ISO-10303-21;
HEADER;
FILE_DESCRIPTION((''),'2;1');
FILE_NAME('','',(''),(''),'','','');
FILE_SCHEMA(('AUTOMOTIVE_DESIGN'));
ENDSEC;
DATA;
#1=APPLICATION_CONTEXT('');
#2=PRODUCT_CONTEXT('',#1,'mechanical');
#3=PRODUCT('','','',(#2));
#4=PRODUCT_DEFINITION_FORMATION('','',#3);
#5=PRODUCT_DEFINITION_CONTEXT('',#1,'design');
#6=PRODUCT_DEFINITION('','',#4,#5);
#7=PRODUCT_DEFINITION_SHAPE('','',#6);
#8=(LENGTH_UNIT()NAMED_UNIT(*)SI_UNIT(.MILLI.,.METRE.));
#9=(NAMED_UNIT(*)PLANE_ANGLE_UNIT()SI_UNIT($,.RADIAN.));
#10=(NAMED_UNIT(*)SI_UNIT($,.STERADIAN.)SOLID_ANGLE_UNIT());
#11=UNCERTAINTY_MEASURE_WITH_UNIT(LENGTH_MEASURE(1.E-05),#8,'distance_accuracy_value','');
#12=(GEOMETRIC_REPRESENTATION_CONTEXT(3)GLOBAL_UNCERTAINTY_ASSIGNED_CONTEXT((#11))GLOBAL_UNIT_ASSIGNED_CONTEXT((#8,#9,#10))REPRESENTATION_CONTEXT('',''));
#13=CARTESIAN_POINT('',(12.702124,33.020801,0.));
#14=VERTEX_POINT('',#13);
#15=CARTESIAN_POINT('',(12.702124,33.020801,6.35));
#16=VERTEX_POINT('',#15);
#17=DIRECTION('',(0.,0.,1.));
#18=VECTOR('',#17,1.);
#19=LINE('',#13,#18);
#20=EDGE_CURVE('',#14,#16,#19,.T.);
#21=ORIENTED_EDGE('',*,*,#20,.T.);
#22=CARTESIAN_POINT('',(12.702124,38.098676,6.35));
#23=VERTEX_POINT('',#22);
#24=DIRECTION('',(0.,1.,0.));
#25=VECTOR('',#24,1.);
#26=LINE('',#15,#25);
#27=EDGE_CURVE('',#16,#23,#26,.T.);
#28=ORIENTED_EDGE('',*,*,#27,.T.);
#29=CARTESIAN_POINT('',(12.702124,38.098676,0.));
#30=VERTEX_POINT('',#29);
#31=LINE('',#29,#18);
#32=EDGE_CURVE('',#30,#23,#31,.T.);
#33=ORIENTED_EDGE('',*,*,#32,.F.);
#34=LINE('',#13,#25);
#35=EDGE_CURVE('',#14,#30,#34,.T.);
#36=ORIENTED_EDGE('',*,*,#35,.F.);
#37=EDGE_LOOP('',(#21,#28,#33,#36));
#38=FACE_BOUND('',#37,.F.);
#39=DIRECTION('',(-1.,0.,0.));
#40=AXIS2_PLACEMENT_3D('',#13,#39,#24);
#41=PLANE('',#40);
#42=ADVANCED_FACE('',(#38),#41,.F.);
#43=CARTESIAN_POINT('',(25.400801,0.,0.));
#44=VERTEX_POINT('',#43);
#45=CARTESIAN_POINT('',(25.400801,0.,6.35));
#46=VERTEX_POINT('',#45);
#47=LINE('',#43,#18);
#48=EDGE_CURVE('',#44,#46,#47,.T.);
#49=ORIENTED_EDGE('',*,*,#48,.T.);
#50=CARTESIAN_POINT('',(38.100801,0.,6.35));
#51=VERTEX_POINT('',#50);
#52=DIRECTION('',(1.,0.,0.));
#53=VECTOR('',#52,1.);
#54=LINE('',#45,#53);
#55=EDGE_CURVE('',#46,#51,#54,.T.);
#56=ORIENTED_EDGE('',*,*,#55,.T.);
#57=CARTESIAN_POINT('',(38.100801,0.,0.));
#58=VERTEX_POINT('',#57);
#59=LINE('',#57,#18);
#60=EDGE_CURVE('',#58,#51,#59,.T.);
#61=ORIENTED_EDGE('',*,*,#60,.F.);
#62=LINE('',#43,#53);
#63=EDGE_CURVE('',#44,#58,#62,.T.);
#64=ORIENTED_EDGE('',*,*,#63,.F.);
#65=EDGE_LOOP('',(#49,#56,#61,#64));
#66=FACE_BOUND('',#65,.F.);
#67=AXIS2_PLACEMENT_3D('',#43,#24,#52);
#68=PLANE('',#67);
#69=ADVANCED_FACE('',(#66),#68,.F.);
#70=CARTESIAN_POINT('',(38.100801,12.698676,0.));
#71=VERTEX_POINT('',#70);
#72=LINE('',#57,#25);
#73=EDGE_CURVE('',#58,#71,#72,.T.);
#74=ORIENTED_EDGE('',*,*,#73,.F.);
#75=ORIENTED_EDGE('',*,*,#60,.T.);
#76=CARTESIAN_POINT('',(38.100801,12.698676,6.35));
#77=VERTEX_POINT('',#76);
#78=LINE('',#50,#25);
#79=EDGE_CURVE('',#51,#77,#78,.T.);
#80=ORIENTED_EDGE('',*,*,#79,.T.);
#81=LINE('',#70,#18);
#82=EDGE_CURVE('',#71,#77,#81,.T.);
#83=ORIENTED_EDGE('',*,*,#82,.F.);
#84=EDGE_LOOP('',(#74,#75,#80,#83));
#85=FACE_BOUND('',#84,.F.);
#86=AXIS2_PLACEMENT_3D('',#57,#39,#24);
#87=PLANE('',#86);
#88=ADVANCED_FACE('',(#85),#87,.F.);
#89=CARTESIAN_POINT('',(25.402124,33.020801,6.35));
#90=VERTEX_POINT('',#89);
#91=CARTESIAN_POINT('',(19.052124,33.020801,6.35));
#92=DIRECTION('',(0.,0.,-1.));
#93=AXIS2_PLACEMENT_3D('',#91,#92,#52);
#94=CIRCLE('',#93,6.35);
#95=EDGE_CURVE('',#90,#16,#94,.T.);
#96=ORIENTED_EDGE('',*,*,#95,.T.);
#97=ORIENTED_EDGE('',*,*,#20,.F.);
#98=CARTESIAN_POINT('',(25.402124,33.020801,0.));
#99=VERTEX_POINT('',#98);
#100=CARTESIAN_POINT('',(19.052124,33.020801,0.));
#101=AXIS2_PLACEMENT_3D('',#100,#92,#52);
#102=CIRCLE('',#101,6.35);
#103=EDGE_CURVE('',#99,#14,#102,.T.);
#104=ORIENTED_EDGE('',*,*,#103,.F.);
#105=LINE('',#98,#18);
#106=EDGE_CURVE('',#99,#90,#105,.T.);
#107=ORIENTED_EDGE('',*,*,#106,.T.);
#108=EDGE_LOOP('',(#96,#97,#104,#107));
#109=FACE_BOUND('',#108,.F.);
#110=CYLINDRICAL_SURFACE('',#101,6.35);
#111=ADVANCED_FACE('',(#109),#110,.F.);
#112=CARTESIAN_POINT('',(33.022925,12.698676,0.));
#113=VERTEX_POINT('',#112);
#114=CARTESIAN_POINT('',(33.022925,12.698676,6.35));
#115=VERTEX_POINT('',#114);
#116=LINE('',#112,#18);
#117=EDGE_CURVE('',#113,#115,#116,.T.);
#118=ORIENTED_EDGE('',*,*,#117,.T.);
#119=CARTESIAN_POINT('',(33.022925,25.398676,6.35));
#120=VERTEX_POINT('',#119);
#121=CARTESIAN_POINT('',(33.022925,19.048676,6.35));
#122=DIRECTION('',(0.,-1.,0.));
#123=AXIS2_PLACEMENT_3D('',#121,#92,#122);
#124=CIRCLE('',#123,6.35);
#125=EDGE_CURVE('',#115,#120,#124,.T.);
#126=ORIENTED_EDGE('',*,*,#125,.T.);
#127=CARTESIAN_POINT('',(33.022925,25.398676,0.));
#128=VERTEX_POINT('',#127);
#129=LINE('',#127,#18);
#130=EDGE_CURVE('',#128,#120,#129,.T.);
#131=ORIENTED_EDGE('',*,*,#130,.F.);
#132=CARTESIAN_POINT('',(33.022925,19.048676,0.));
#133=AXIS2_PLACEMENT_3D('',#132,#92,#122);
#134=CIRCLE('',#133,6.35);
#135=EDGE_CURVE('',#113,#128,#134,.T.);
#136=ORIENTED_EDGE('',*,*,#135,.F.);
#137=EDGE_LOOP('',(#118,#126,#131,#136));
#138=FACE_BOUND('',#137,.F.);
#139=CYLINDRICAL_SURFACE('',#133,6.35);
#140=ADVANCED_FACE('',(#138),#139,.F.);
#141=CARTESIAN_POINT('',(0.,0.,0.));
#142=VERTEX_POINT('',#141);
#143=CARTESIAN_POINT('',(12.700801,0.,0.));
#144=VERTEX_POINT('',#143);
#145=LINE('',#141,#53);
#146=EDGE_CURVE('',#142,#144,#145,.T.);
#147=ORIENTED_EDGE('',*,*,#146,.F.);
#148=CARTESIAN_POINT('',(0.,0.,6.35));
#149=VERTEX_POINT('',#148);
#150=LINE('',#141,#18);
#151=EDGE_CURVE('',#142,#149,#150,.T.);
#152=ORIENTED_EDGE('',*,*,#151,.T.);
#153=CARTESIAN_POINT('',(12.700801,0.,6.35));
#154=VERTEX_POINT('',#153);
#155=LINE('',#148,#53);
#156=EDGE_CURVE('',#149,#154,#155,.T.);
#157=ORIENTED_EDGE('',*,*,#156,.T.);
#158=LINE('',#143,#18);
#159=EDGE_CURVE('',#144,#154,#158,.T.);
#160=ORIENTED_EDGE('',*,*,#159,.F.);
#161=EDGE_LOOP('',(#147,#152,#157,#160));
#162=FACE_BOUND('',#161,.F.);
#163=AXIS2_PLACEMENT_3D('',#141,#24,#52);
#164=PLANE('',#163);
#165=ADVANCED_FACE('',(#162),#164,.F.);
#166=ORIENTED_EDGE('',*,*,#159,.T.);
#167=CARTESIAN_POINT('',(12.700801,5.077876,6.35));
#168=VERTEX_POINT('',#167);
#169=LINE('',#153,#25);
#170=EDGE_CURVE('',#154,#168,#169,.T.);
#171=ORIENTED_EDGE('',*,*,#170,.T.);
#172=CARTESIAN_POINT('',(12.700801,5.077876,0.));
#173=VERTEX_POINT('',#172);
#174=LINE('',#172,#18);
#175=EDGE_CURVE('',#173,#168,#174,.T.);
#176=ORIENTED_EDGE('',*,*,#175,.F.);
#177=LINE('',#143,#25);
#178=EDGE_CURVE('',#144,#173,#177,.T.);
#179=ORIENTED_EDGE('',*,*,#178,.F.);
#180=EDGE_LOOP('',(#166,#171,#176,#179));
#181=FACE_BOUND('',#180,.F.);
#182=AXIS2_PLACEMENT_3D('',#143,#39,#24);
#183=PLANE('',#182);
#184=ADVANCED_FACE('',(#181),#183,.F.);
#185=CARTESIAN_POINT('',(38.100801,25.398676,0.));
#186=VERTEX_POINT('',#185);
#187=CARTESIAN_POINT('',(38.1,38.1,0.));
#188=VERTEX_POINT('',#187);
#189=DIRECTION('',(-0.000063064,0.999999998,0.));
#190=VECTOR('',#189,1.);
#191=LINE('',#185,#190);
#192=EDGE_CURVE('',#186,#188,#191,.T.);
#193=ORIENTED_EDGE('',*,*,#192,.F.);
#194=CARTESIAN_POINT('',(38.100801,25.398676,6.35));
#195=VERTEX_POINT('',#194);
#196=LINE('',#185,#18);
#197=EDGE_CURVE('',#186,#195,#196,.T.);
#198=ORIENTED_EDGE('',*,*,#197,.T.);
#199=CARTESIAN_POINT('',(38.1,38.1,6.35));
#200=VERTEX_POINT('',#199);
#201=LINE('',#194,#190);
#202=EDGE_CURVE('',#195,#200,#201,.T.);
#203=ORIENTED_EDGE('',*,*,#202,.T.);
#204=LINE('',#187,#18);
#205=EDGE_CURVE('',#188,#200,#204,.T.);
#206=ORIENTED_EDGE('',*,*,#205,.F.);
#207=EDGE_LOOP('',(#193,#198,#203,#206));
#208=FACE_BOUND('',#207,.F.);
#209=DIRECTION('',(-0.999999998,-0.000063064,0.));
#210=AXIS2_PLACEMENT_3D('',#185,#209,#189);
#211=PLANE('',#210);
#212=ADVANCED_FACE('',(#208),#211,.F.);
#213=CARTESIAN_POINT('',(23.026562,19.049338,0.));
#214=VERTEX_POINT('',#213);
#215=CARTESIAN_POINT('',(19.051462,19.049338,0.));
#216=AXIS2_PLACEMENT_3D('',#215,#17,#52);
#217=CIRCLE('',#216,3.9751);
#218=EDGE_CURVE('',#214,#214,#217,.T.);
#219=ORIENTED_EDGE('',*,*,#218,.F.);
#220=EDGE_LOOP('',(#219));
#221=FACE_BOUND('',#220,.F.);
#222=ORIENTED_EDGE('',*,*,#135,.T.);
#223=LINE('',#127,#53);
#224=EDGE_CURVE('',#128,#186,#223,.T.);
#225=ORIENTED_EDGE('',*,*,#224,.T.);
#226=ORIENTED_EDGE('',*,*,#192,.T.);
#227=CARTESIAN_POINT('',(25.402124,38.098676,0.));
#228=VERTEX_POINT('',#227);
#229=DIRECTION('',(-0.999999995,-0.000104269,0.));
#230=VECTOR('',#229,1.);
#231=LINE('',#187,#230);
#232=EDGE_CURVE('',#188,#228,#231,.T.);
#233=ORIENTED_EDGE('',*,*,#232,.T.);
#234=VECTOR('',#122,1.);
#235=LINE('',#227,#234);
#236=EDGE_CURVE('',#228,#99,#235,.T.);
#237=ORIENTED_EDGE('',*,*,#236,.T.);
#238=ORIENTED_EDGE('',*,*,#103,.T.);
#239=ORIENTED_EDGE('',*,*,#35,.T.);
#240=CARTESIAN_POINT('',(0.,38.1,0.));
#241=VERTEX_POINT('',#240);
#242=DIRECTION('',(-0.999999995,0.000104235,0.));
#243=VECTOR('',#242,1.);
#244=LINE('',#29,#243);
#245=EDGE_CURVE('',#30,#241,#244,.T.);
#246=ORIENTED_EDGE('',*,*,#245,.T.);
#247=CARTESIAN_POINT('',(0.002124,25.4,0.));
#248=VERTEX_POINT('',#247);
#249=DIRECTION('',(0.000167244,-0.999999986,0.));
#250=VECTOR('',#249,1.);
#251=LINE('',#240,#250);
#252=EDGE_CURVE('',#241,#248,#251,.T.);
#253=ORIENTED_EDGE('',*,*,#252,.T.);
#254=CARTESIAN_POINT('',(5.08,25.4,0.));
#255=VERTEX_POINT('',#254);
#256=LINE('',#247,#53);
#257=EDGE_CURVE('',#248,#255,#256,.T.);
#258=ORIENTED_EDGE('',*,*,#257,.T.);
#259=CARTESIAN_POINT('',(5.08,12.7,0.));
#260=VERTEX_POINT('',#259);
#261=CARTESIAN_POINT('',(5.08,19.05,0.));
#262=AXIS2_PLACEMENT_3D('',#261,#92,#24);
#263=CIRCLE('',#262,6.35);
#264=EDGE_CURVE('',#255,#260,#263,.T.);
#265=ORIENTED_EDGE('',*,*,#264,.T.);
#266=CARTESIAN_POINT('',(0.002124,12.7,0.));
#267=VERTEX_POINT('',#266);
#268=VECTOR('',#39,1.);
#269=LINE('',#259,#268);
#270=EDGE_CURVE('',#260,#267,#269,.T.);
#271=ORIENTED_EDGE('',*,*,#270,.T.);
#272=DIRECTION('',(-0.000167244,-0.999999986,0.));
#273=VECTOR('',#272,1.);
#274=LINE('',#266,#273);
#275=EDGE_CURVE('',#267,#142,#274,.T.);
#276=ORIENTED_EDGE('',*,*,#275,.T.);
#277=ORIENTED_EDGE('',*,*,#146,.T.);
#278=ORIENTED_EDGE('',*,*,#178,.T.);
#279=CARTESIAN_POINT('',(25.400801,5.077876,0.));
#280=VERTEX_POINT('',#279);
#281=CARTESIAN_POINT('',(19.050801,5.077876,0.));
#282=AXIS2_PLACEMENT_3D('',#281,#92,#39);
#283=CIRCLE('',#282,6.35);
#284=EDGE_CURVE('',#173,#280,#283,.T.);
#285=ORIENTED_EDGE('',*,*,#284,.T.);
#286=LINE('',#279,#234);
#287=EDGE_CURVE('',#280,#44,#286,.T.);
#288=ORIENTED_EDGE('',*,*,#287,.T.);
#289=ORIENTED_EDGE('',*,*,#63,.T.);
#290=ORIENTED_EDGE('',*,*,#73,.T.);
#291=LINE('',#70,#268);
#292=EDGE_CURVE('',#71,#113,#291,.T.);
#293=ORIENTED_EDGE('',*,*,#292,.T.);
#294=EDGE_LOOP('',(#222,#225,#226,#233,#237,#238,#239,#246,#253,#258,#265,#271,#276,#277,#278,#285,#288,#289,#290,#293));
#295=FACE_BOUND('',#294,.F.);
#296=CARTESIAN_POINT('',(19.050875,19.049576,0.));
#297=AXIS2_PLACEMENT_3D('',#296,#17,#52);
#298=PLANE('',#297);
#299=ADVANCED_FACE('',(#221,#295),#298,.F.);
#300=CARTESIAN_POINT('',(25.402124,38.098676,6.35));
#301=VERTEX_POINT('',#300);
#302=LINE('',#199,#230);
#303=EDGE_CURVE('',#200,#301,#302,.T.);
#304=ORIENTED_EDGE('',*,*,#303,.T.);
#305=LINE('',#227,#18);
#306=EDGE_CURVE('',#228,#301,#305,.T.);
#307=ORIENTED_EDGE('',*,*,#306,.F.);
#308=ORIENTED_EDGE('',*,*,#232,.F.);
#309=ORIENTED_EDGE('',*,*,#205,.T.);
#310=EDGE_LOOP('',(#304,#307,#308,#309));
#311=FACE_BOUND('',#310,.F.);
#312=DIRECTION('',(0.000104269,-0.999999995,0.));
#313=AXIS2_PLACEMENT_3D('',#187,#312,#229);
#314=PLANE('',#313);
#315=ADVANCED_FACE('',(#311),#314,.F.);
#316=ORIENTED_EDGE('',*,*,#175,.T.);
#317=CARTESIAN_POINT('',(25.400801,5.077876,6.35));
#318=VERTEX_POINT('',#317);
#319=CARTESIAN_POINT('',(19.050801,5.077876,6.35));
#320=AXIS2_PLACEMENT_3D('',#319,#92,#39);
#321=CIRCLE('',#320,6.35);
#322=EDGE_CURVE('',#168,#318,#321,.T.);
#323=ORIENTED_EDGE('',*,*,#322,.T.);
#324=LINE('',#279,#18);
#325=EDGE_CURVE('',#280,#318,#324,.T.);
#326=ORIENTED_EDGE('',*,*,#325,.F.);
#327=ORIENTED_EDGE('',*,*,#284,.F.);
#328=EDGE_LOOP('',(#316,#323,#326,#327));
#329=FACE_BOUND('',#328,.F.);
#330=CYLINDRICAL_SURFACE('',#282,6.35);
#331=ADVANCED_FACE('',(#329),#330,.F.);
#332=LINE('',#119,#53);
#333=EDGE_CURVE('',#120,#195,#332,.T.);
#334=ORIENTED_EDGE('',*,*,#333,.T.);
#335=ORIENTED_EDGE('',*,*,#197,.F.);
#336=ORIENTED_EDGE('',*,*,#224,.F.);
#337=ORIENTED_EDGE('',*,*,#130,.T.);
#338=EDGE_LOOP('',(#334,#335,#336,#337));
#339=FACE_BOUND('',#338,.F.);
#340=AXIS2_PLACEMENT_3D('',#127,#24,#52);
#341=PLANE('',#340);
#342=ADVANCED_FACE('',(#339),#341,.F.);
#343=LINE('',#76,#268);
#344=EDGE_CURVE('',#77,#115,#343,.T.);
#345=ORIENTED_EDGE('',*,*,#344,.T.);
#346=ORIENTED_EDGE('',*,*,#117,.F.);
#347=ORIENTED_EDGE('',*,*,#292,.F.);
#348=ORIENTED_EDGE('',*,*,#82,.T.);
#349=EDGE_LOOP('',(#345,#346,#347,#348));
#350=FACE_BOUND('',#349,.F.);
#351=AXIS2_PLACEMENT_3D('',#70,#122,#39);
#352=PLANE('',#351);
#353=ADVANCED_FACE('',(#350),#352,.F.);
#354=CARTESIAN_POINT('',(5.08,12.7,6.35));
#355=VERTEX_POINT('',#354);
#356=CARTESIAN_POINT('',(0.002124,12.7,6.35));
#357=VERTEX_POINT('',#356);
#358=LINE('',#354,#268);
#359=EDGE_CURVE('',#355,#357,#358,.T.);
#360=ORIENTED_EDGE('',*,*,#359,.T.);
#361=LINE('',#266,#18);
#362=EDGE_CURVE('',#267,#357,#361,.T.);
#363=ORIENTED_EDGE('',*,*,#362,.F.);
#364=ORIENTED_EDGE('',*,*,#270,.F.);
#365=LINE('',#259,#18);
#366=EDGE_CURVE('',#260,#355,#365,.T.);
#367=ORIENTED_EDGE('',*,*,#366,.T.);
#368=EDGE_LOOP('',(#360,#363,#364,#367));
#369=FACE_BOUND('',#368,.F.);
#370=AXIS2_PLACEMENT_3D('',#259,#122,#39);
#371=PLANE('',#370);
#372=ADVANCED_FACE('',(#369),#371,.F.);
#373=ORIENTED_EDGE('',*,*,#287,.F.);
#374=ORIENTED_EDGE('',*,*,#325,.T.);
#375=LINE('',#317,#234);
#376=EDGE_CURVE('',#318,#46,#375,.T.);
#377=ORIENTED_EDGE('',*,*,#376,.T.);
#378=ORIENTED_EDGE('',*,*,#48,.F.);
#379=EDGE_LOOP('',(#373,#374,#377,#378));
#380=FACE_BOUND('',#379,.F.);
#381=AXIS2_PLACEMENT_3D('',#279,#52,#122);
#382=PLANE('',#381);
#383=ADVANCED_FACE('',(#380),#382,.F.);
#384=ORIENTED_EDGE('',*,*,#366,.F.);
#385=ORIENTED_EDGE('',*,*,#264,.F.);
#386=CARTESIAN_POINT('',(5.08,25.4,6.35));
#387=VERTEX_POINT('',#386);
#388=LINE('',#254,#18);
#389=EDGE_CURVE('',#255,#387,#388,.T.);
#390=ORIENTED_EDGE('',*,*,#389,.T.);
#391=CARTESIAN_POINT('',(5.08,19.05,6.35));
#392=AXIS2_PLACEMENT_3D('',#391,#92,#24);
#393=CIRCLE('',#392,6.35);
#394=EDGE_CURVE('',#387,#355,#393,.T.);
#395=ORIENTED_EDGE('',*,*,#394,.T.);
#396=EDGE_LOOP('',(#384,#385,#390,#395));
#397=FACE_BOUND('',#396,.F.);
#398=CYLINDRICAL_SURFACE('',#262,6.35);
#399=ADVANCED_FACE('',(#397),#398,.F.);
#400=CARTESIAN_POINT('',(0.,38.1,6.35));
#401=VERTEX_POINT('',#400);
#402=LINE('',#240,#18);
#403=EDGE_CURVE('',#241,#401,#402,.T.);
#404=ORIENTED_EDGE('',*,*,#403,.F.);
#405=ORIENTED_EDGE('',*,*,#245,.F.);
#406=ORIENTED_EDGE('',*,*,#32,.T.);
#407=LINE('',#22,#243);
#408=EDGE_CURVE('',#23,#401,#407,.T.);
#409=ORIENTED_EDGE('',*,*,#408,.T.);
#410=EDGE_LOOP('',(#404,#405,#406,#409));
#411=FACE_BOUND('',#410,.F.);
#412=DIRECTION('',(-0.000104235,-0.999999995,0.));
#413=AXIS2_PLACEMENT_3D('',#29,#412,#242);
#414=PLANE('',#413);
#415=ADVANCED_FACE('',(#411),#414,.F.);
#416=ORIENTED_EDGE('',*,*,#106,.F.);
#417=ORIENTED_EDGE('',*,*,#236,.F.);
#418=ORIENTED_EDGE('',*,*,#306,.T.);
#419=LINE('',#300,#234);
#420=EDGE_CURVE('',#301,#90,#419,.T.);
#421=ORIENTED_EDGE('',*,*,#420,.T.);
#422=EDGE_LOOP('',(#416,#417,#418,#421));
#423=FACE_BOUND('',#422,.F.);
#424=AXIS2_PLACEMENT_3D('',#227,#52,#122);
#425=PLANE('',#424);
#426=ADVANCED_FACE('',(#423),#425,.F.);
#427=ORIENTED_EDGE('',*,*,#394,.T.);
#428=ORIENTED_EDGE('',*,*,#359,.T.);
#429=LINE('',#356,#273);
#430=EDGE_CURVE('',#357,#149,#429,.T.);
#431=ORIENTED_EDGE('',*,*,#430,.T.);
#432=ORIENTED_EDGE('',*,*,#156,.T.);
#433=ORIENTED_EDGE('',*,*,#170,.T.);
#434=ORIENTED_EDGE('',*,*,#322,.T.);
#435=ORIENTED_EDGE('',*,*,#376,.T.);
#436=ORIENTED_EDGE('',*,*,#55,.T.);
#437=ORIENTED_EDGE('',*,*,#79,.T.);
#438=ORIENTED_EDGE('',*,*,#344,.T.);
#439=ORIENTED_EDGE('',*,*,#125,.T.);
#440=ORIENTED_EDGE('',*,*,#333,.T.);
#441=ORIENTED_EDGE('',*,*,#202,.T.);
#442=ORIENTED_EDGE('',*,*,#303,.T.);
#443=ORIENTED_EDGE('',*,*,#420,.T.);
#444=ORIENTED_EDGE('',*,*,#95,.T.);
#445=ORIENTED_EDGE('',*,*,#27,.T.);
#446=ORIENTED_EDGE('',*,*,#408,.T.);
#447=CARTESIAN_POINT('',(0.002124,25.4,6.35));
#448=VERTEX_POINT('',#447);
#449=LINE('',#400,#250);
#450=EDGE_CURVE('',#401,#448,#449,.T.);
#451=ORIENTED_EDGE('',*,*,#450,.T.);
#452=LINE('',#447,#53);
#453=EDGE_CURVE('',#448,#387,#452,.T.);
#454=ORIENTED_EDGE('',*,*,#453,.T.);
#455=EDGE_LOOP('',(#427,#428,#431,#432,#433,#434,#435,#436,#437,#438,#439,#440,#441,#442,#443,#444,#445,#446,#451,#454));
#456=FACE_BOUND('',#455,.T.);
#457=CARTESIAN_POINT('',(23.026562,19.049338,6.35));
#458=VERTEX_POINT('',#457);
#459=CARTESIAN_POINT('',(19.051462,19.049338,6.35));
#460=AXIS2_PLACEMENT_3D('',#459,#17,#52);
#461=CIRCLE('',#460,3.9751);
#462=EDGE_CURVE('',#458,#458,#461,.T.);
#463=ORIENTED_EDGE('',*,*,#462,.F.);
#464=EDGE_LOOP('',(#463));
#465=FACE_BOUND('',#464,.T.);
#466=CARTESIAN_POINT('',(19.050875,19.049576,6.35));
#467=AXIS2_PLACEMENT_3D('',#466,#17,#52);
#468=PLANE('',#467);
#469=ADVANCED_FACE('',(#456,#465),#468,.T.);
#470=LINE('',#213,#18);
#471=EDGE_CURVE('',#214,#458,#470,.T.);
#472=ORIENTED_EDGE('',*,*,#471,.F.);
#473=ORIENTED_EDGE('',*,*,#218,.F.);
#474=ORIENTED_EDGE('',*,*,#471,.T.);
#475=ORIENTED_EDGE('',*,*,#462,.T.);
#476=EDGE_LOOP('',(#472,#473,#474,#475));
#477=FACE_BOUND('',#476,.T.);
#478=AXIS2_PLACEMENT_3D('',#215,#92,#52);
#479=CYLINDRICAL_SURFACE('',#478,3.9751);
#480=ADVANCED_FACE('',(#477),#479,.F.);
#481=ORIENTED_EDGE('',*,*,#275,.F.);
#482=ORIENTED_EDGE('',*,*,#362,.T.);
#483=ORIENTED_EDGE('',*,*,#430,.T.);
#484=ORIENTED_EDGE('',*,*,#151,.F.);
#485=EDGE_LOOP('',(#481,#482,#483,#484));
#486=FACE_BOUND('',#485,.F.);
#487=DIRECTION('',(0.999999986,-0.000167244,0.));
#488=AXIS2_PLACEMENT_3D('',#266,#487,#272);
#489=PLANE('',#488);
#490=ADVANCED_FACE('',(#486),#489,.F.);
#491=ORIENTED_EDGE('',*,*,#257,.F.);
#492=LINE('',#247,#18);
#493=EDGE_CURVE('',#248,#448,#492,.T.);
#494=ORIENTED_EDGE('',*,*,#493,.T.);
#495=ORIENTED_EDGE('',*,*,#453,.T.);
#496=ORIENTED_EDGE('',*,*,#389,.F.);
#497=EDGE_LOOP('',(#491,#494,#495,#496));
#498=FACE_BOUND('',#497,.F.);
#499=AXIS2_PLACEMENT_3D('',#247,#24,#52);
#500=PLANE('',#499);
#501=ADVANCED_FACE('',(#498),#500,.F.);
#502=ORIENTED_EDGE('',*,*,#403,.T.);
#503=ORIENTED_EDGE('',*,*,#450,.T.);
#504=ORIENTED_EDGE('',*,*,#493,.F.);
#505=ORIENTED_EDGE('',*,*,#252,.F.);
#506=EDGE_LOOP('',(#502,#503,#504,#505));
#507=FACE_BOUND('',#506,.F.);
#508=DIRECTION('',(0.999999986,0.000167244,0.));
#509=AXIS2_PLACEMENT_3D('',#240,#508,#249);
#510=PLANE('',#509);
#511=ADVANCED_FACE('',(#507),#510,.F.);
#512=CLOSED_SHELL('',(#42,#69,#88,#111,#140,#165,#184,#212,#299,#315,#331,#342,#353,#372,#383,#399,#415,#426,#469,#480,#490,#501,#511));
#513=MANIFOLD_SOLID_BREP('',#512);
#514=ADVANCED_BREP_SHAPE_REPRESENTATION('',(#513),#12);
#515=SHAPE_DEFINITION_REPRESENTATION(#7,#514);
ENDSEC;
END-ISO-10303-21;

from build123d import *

# Parameters (mm, degrees)
F0_R     = 3.9751
F1_DEPTH = 6.35


with BuildPart() as f1:
    # F0 (on Top) → F1 (new body)
    with BuildSketch(Plane.XY):
        with BuildLine():
            Line((12.700801, 0), (12.700801, 5.077876))
            ThreePointArc((12.700801, 5.077876), (19.050801, 11.427876), (25.400801, 5.077876))
            Line((25.400801, 5.077876), (25.400801, 0))
            Line((25.400801, 0), (38.100801, 0))
            Line((38.100801, 0), (38.100801, 12.698676))
            Line((38.100801, 12.698676), (33.022925, 12.698676))
            ThreePointArc((33.022925, 12.698676), (26.672925, 19.048676), (33.022925, 25.398676))
            Line((33.022925, 25.398676), (38.100801, 25.398676))
            Line((38.100801, 25.398676), (38.1, 38.1))
            Line((38.1, 38.1), (25.402124, 38.098676))
            Line((25.402124, 38.098676), (25.402124, 33.020801))
            ThreePointArc((25.402124, 33.020801), (19.052124, 26.670801), (12.702124, 33.020801))
            Line((12.702124, 33.020801), (12.702124, 38.098676))
            Line((12.702124, 38.098676), (0, 38.1))
            Line((0, 38.1), (0.002124, 25.4))
            Line((0.002124, 25.4), (5.08, 25.4))
            ThreePointArc((5.08, 25.4), (11.43, 19.05), (5.08, 12.7))
            Line((5.08, 12.7), (0.002124, 12.7))
            Line((0.002124, 12.7), (0, 0))
            Line((0, 0), (12.700801, 0))
        make_face()
        with Locations((19.051462, 19.049338)):
            Circle(F0_R, mode=Mode.SUBTRACT)
    extrude(amount=F1_DEPTH)


solid = f1.part
